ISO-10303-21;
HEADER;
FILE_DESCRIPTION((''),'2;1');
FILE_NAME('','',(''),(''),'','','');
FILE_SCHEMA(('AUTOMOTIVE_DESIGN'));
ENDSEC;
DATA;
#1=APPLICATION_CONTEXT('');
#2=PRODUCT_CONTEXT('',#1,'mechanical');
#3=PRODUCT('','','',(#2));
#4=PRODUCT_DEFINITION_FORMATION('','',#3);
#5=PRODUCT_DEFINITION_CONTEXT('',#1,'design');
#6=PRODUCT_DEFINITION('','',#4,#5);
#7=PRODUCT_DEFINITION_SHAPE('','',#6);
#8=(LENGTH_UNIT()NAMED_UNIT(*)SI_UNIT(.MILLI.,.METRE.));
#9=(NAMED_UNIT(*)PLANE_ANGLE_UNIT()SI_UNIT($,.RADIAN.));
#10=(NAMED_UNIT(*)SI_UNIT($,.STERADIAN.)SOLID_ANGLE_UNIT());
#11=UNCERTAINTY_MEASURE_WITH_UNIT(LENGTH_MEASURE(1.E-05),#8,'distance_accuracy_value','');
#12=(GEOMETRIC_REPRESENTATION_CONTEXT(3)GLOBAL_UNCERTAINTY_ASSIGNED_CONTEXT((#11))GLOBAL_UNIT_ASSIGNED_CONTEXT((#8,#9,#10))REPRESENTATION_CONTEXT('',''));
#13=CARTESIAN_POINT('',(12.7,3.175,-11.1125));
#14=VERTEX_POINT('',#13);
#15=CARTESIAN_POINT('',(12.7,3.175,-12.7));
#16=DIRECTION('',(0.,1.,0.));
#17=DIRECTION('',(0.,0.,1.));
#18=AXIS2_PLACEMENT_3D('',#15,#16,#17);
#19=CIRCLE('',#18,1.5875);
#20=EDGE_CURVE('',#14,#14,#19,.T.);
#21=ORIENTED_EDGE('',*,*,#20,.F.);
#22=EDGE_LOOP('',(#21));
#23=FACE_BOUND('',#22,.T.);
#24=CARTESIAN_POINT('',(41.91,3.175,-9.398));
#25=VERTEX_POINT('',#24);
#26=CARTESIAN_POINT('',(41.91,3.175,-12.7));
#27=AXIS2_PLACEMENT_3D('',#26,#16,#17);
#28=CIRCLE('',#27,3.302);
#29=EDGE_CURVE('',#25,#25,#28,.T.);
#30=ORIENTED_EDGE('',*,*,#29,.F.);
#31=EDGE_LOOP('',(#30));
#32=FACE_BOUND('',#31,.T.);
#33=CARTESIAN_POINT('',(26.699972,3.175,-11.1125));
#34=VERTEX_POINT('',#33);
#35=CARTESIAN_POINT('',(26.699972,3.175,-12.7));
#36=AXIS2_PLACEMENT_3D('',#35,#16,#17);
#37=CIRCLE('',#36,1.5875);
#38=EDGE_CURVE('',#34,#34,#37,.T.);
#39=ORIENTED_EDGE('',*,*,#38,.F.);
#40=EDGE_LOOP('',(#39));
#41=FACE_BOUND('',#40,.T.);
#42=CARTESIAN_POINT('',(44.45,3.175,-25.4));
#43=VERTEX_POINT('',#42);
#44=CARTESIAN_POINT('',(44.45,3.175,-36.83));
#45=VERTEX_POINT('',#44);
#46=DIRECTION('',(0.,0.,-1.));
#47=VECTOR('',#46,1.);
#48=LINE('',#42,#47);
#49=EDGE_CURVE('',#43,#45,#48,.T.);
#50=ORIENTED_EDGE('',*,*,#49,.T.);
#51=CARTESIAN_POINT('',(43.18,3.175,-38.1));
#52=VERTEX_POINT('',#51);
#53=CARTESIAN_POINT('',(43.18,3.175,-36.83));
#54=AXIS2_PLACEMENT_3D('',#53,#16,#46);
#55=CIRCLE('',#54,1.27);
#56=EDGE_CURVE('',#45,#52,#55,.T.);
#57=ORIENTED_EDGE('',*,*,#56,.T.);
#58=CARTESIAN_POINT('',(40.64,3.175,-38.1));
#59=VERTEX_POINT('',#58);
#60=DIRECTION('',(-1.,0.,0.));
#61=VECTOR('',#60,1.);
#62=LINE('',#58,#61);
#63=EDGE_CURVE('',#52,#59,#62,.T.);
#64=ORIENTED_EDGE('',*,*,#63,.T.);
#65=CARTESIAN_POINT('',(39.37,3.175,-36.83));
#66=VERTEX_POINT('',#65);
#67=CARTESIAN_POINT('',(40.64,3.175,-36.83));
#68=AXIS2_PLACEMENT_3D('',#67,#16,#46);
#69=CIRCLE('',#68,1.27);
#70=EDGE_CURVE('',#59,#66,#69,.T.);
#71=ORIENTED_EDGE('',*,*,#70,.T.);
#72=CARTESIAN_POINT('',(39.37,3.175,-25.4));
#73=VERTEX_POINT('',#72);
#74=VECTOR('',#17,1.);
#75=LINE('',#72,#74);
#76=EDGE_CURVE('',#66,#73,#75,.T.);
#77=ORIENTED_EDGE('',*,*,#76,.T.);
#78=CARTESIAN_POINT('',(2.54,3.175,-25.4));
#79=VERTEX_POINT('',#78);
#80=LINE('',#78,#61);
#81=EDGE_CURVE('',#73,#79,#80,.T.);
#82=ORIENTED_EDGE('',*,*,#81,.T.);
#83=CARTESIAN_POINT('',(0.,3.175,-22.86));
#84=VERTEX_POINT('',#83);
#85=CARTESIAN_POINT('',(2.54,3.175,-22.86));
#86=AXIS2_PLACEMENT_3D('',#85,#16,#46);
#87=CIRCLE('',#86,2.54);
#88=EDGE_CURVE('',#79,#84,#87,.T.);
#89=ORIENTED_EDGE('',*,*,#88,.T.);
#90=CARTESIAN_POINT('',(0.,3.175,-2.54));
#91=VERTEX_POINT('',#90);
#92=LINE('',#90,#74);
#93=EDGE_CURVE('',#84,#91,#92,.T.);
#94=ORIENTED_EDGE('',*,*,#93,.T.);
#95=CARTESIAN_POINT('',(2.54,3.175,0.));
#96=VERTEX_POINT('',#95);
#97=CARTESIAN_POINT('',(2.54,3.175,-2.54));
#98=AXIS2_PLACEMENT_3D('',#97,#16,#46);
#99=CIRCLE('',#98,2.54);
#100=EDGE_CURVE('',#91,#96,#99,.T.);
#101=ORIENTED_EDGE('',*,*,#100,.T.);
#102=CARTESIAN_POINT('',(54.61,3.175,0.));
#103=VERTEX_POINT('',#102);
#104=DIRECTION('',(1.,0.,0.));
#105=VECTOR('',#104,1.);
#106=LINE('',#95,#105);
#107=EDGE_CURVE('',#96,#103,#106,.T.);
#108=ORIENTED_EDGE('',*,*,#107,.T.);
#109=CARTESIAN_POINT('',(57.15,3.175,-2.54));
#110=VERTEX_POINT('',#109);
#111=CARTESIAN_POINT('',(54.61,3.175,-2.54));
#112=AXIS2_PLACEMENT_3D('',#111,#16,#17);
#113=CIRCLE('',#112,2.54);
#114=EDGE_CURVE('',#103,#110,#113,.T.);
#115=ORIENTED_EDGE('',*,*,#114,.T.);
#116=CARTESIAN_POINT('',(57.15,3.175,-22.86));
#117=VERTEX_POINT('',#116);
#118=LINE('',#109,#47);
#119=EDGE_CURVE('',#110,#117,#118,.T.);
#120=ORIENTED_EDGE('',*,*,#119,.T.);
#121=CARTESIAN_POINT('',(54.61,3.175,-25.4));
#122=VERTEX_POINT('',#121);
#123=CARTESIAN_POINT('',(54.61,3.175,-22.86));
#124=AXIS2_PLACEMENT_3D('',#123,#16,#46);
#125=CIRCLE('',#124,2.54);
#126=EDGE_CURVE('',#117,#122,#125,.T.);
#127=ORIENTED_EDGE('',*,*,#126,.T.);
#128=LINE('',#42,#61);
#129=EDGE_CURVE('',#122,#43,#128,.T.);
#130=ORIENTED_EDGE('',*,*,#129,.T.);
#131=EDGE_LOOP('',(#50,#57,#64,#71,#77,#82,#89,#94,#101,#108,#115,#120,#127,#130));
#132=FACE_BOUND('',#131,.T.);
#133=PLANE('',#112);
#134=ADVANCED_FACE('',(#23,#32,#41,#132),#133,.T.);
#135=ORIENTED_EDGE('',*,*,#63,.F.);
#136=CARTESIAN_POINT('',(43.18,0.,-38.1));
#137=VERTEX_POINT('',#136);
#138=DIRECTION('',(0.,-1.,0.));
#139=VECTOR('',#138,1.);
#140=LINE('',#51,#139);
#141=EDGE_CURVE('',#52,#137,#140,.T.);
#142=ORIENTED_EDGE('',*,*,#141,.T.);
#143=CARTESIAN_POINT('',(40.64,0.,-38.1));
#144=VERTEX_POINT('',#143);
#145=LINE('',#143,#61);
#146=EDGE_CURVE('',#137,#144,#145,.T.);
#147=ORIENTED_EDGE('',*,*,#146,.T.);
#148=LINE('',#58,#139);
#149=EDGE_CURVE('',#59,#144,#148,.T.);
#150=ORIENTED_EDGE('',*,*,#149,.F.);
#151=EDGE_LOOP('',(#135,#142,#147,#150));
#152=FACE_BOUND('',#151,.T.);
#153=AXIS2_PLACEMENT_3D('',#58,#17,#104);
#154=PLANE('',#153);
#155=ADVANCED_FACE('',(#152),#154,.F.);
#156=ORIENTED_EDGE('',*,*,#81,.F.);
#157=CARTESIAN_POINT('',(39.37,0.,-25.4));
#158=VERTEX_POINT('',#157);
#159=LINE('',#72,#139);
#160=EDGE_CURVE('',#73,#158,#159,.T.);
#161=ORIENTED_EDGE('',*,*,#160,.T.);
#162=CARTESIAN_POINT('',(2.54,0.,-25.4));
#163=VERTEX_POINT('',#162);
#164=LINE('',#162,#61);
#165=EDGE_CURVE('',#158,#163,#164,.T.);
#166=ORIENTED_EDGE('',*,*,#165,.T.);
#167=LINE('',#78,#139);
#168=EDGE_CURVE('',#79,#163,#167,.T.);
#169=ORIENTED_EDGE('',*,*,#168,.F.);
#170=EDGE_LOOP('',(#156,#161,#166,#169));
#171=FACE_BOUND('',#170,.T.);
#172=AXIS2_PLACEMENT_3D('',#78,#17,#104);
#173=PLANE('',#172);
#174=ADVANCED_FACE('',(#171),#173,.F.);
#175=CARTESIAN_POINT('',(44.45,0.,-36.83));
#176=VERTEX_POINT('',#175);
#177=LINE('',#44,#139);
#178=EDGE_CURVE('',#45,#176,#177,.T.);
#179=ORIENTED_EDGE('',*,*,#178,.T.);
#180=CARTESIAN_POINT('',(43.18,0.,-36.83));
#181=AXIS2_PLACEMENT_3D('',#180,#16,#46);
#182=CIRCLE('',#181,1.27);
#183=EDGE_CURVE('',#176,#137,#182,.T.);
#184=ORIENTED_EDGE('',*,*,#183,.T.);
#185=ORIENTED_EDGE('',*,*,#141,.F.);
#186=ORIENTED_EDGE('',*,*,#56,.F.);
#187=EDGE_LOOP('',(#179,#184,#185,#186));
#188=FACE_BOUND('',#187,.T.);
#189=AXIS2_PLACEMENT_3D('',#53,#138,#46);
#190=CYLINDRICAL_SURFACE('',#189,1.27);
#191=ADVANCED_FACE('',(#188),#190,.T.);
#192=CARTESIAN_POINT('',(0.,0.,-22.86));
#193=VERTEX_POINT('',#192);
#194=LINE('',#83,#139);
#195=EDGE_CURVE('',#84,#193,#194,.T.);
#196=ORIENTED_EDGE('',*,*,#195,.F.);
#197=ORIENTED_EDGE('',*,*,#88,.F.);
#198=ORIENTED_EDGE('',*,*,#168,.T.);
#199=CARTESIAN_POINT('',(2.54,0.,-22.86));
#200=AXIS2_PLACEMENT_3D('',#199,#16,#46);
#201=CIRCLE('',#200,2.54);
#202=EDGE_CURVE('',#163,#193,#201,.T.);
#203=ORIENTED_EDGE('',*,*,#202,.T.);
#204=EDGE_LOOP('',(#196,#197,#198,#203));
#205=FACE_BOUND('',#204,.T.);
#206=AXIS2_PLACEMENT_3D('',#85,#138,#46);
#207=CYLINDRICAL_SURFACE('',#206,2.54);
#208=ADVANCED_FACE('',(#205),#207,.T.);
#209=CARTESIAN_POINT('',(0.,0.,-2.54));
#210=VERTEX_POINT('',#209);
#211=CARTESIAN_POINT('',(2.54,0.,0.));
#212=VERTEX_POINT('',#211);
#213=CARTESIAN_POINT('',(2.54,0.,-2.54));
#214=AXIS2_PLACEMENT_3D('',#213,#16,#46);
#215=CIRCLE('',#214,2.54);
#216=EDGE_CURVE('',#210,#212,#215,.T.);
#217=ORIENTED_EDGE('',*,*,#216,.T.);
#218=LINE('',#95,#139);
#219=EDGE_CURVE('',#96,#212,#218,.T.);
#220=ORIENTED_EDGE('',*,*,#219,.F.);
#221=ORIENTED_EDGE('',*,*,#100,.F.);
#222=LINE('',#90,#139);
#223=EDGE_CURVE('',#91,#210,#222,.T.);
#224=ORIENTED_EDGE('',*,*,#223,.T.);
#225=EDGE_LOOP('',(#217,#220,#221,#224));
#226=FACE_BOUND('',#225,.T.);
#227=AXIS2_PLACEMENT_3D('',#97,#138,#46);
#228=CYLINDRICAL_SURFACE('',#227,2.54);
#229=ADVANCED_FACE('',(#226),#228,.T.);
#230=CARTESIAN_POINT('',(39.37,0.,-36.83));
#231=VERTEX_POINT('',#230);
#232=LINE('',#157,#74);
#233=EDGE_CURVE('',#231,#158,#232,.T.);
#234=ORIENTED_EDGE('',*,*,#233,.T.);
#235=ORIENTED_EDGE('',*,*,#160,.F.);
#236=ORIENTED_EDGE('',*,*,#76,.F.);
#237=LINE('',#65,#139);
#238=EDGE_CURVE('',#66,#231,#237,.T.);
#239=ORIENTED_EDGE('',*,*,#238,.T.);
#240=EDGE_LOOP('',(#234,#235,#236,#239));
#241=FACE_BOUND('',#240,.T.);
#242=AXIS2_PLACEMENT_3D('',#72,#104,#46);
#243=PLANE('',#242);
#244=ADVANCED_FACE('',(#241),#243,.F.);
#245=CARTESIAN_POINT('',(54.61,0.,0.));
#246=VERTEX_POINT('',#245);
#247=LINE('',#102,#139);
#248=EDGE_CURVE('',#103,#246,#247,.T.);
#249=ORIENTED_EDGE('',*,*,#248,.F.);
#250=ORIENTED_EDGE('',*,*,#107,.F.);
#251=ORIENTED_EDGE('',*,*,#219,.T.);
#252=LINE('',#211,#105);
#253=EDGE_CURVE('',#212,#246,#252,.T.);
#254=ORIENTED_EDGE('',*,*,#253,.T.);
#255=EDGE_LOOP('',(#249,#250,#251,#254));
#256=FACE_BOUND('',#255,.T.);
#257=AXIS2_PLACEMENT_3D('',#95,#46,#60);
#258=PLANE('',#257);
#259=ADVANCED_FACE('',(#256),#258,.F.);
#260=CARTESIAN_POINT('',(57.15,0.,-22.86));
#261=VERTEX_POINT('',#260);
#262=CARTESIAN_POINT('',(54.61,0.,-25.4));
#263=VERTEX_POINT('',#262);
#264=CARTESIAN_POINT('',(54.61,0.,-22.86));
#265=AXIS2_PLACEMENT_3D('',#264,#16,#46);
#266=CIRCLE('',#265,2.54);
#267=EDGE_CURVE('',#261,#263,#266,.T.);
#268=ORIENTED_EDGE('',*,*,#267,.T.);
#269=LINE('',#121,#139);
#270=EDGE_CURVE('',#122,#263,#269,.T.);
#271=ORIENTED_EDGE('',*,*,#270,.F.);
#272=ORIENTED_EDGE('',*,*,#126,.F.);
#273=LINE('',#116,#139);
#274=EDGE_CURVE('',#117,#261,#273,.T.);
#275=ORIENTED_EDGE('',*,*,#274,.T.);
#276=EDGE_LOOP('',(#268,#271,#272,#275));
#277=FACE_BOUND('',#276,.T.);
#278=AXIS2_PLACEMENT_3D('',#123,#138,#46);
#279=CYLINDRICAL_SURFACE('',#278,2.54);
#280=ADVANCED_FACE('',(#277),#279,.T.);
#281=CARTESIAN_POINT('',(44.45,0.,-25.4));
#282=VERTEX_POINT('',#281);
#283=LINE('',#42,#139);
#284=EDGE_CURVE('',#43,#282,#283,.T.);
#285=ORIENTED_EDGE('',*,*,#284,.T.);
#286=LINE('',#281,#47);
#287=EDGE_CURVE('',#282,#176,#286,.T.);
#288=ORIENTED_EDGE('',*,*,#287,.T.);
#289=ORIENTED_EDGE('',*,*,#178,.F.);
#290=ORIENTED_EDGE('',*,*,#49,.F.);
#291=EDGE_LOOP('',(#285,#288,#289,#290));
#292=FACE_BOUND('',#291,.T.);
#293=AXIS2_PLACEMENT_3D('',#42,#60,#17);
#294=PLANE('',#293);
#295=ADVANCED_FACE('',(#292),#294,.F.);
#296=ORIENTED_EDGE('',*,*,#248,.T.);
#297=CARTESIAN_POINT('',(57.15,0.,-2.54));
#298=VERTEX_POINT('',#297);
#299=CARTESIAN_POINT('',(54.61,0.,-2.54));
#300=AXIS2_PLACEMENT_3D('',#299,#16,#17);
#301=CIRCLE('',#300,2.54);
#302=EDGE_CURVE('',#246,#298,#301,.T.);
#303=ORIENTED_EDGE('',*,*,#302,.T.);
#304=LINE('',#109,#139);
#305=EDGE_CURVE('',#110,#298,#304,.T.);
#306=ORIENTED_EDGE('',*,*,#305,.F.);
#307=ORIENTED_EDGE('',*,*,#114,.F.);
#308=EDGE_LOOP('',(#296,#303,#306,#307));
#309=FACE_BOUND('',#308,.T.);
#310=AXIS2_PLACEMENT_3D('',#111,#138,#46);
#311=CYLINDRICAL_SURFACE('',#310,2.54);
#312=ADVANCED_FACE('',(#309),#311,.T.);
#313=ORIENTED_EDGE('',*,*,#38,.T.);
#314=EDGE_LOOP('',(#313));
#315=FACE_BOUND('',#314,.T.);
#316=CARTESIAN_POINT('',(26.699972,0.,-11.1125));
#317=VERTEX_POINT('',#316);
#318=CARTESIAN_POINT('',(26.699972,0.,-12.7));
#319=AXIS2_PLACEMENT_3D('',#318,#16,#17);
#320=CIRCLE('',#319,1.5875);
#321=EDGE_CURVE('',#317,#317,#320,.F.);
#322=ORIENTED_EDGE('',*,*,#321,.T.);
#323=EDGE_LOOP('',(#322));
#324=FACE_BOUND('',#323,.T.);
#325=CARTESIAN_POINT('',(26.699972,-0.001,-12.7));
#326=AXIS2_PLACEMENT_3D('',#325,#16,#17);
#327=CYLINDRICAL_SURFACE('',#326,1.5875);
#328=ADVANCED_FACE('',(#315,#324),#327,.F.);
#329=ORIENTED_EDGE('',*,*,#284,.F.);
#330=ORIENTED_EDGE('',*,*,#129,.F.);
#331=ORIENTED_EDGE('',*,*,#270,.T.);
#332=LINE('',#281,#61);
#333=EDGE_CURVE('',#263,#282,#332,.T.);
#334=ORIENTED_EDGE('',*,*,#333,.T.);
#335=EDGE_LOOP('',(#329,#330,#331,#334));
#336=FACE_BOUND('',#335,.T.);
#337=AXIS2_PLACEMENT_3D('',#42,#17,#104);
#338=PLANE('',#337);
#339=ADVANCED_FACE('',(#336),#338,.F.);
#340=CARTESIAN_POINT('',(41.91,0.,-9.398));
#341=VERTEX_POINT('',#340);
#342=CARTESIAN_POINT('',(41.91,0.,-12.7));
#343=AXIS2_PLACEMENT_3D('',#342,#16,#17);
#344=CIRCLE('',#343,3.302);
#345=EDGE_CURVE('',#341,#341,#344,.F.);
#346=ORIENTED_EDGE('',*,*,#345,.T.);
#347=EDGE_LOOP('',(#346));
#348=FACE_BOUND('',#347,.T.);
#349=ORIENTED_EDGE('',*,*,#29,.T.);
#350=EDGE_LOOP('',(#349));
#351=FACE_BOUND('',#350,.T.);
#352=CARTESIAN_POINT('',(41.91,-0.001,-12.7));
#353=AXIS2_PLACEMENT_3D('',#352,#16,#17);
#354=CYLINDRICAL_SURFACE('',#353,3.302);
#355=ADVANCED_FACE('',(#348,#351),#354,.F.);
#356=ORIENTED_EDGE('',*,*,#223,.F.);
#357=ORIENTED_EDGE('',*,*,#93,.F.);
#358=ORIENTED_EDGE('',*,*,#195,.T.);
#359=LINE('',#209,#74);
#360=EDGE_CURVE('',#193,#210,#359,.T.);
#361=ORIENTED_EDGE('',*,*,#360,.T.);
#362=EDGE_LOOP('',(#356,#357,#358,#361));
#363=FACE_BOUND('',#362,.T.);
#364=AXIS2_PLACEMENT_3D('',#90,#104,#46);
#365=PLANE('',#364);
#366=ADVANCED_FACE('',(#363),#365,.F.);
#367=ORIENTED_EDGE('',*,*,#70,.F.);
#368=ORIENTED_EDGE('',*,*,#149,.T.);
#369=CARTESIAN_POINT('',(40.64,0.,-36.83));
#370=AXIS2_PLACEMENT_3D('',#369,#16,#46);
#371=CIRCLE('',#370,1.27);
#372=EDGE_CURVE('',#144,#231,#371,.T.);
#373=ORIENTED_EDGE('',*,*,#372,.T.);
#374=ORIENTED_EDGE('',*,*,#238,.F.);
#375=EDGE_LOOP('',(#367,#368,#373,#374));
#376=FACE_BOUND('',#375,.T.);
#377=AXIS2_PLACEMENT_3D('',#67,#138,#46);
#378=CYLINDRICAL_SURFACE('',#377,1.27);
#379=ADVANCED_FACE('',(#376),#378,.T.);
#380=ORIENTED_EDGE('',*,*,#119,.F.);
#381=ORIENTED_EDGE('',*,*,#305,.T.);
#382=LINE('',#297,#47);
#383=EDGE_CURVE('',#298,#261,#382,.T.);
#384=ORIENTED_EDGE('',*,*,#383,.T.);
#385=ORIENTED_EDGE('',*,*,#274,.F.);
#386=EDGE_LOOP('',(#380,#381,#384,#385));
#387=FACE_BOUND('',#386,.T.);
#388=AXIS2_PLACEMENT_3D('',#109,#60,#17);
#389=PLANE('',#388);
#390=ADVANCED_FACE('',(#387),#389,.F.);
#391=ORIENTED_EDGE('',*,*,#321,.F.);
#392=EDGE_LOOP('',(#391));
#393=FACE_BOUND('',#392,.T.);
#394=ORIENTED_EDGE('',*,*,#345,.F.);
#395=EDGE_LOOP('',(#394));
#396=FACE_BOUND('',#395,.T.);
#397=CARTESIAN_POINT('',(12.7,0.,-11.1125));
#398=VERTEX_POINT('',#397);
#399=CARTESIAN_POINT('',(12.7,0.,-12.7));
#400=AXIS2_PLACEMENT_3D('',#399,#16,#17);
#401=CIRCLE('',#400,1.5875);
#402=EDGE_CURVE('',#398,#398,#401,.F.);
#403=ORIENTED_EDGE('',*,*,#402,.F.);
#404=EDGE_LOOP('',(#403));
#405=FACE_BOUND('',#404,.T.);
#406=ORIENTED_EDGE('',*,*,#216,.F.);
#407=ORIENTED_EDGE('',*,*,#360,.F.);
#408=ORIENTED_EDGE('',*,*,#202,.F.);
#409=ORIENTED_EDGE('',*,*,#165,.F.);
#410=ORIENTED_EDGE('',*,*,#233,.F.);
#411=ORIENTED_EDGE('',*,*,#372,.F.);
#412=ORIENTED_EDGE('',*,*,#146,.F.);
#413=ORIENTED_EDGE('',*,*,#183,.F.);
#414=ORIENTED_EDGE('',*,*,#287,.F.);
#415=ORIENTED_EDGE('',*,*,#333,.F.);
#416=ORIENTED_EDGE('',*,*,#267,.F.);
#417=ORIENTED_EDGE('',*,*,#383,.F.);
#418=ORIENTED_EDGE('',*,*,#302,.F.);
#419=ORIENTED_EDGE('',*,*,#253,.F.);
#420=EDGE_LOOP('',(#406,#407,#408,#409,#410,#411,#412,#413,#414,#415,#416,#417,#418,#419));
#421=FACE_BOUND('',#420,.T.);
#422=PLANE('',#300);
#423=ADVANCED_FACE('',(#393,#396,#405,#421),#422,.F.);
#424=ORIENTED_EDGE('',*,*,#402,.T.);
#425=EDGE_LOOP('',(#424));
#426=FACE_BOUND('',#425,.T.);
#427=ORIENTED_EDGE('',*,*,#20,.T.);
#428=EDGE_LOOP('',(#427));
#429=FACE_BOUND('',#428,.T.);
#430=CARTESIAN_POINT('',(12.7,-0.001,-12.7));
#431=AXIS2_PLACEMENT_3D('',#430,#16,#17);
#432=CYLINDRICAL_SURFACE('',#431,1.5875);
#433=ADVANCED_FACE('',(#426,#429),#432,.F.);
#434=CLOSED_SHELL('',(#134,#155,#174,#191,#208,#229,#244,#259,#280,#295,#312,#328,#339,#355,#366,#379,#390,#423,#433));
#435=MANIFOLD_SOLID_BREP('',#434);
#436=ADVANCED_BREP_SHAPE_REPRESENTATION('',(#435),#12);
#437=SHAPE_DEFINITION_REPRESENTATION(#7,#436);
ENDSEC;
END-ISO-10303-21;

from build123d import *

# Parameters (mm, degrees)
BOSS_EXTRUDE1_DEPTH = 3.175
CUT_EXTRUDE1_REACH  = 70.759
SKETCH2_R           = 1.5875
SKETCH2_R_2         = 3.302


with BuildPart() as part:
    # Sketch1 → Boss-Extrude1 (new body)
    with BuildSketch(Plane(origin=(0, 0, 0), x_dir=(1, 0, 0), z_dir=(0, 1, 0))):
        with BuildLine():
            Line((44.45, 25.4), (54.61, 25.4))
            ThreePointArc((54.61, 25.4), (56.406051224, 24.656051224), (57.15, 22.86))
            Line((57.15, 22.86), (57.15, 2.54))
            ThreePointArc((57.15, 2.54), (56.406051224, 0.743948776), (54.61, 0))
            Line((54.61, 0), (2.54, 0))
            ThreePointArc((2.54, 0), (0.743948776, 0.743948776), (0, 2.54))
            Line((0, 2.54), (0, 22.86))
            ThreePointArc((0, 22.86), (0.743948776, 24.656051224), (2.54, 25.4))
            Line((2.54, 25.4), (39.37, 25.4))
            Line((39.37, 25.4), (39.37, 36.83))
            ThreePointArc((39.37, 36.83), (39.741974388, 37.728025612), (40.64, 38.1))
            Line((40.64, 38.1), (43.18, 38.1))
            ThreePointArc((43.18, 38.1), (44.078025612, 37.728025612), (44.45, 36.83))
            Line((44.45, 36.83), (44.45, 25.4))
        make_face()
    extrude(amount=BOSS_EXTRUDE1_DEPTH)

    # Sketch2 → Cut-Extrude1 (cut, up to next)
    with BuildSketch(Plane(origin=(0, 3.175, 0), x_dir=(1, 0, 0), z_dir=(0, 1, 0)), mode=Mode.PRIVATE) as cut_extrude1_sk1:
        with Locations(Location((12.7, 12.7, 0), (0, 0, 270))):
            Circle(SKETCH2_R)
    cut_extrude1_tool1 = extrude(cut_extrude1_sk1.sketch, amount=-CUT_EXTRUDE1_REACH, mode=Mode.PRIVATE) & part.part
    # Sketch2 → Cut-Extrude1 (cut, up to next)
    with BuildSketch(Plane(origin=(0, 3.175, 0), x_dir=(1, 0, 0), z_dir=(0, 1, 0)), mode=Mode.PRIVATE) as cut_extrude1_sk2:
        with Locations(Location((26.699972, 12.7, 0), (0, 0, 270))):
            Circle(SKETCH2_R)
    cut_extrude1_tool2 = extrude(cut_extrude1_sk2.sketch, amount=-CUT_EXTRUDE1_REACH, mode=Mode.PRIVATE) & part.part
    # Sketch2 → Cut-Extrude1 (cut, up to next)
    with BuildSketch(Plane(origin=(0, 3.175, 0), x_dir=(1, 0, 0), z_dir=(0, 1, 0)), mode=Mode.PRIVATE) as cut_extrude1_sk3:
        with Locations(Location((41.91, 12.7, 0), (0, 0, 270))):
            Circle(SKETCH2_R_2)
    cut_extrude1_tool3 = extrude(cut_extrude1_sk3.sketch, amount=-CUT_EXTRUDE1_REACH, mode=Mode.PRIVATE) & part.part
    add(cut_extrude1_tool1.solids().sort_by_distance((12.7, 3.175, -12.7))[0], mode=Mode.SUBTRACT)
    add(cut_extrude1_tool2.solids().sort_by_distance((26.699972, 3.175, -12.7))[0], mode=Mode.SUBTRACT)
    add(cut_extrude1_tool3.solids().sort_by_distance((41.91, 3.175, -12.7))[0], mode=Mode.SUBTRACT)


solid = part.part
